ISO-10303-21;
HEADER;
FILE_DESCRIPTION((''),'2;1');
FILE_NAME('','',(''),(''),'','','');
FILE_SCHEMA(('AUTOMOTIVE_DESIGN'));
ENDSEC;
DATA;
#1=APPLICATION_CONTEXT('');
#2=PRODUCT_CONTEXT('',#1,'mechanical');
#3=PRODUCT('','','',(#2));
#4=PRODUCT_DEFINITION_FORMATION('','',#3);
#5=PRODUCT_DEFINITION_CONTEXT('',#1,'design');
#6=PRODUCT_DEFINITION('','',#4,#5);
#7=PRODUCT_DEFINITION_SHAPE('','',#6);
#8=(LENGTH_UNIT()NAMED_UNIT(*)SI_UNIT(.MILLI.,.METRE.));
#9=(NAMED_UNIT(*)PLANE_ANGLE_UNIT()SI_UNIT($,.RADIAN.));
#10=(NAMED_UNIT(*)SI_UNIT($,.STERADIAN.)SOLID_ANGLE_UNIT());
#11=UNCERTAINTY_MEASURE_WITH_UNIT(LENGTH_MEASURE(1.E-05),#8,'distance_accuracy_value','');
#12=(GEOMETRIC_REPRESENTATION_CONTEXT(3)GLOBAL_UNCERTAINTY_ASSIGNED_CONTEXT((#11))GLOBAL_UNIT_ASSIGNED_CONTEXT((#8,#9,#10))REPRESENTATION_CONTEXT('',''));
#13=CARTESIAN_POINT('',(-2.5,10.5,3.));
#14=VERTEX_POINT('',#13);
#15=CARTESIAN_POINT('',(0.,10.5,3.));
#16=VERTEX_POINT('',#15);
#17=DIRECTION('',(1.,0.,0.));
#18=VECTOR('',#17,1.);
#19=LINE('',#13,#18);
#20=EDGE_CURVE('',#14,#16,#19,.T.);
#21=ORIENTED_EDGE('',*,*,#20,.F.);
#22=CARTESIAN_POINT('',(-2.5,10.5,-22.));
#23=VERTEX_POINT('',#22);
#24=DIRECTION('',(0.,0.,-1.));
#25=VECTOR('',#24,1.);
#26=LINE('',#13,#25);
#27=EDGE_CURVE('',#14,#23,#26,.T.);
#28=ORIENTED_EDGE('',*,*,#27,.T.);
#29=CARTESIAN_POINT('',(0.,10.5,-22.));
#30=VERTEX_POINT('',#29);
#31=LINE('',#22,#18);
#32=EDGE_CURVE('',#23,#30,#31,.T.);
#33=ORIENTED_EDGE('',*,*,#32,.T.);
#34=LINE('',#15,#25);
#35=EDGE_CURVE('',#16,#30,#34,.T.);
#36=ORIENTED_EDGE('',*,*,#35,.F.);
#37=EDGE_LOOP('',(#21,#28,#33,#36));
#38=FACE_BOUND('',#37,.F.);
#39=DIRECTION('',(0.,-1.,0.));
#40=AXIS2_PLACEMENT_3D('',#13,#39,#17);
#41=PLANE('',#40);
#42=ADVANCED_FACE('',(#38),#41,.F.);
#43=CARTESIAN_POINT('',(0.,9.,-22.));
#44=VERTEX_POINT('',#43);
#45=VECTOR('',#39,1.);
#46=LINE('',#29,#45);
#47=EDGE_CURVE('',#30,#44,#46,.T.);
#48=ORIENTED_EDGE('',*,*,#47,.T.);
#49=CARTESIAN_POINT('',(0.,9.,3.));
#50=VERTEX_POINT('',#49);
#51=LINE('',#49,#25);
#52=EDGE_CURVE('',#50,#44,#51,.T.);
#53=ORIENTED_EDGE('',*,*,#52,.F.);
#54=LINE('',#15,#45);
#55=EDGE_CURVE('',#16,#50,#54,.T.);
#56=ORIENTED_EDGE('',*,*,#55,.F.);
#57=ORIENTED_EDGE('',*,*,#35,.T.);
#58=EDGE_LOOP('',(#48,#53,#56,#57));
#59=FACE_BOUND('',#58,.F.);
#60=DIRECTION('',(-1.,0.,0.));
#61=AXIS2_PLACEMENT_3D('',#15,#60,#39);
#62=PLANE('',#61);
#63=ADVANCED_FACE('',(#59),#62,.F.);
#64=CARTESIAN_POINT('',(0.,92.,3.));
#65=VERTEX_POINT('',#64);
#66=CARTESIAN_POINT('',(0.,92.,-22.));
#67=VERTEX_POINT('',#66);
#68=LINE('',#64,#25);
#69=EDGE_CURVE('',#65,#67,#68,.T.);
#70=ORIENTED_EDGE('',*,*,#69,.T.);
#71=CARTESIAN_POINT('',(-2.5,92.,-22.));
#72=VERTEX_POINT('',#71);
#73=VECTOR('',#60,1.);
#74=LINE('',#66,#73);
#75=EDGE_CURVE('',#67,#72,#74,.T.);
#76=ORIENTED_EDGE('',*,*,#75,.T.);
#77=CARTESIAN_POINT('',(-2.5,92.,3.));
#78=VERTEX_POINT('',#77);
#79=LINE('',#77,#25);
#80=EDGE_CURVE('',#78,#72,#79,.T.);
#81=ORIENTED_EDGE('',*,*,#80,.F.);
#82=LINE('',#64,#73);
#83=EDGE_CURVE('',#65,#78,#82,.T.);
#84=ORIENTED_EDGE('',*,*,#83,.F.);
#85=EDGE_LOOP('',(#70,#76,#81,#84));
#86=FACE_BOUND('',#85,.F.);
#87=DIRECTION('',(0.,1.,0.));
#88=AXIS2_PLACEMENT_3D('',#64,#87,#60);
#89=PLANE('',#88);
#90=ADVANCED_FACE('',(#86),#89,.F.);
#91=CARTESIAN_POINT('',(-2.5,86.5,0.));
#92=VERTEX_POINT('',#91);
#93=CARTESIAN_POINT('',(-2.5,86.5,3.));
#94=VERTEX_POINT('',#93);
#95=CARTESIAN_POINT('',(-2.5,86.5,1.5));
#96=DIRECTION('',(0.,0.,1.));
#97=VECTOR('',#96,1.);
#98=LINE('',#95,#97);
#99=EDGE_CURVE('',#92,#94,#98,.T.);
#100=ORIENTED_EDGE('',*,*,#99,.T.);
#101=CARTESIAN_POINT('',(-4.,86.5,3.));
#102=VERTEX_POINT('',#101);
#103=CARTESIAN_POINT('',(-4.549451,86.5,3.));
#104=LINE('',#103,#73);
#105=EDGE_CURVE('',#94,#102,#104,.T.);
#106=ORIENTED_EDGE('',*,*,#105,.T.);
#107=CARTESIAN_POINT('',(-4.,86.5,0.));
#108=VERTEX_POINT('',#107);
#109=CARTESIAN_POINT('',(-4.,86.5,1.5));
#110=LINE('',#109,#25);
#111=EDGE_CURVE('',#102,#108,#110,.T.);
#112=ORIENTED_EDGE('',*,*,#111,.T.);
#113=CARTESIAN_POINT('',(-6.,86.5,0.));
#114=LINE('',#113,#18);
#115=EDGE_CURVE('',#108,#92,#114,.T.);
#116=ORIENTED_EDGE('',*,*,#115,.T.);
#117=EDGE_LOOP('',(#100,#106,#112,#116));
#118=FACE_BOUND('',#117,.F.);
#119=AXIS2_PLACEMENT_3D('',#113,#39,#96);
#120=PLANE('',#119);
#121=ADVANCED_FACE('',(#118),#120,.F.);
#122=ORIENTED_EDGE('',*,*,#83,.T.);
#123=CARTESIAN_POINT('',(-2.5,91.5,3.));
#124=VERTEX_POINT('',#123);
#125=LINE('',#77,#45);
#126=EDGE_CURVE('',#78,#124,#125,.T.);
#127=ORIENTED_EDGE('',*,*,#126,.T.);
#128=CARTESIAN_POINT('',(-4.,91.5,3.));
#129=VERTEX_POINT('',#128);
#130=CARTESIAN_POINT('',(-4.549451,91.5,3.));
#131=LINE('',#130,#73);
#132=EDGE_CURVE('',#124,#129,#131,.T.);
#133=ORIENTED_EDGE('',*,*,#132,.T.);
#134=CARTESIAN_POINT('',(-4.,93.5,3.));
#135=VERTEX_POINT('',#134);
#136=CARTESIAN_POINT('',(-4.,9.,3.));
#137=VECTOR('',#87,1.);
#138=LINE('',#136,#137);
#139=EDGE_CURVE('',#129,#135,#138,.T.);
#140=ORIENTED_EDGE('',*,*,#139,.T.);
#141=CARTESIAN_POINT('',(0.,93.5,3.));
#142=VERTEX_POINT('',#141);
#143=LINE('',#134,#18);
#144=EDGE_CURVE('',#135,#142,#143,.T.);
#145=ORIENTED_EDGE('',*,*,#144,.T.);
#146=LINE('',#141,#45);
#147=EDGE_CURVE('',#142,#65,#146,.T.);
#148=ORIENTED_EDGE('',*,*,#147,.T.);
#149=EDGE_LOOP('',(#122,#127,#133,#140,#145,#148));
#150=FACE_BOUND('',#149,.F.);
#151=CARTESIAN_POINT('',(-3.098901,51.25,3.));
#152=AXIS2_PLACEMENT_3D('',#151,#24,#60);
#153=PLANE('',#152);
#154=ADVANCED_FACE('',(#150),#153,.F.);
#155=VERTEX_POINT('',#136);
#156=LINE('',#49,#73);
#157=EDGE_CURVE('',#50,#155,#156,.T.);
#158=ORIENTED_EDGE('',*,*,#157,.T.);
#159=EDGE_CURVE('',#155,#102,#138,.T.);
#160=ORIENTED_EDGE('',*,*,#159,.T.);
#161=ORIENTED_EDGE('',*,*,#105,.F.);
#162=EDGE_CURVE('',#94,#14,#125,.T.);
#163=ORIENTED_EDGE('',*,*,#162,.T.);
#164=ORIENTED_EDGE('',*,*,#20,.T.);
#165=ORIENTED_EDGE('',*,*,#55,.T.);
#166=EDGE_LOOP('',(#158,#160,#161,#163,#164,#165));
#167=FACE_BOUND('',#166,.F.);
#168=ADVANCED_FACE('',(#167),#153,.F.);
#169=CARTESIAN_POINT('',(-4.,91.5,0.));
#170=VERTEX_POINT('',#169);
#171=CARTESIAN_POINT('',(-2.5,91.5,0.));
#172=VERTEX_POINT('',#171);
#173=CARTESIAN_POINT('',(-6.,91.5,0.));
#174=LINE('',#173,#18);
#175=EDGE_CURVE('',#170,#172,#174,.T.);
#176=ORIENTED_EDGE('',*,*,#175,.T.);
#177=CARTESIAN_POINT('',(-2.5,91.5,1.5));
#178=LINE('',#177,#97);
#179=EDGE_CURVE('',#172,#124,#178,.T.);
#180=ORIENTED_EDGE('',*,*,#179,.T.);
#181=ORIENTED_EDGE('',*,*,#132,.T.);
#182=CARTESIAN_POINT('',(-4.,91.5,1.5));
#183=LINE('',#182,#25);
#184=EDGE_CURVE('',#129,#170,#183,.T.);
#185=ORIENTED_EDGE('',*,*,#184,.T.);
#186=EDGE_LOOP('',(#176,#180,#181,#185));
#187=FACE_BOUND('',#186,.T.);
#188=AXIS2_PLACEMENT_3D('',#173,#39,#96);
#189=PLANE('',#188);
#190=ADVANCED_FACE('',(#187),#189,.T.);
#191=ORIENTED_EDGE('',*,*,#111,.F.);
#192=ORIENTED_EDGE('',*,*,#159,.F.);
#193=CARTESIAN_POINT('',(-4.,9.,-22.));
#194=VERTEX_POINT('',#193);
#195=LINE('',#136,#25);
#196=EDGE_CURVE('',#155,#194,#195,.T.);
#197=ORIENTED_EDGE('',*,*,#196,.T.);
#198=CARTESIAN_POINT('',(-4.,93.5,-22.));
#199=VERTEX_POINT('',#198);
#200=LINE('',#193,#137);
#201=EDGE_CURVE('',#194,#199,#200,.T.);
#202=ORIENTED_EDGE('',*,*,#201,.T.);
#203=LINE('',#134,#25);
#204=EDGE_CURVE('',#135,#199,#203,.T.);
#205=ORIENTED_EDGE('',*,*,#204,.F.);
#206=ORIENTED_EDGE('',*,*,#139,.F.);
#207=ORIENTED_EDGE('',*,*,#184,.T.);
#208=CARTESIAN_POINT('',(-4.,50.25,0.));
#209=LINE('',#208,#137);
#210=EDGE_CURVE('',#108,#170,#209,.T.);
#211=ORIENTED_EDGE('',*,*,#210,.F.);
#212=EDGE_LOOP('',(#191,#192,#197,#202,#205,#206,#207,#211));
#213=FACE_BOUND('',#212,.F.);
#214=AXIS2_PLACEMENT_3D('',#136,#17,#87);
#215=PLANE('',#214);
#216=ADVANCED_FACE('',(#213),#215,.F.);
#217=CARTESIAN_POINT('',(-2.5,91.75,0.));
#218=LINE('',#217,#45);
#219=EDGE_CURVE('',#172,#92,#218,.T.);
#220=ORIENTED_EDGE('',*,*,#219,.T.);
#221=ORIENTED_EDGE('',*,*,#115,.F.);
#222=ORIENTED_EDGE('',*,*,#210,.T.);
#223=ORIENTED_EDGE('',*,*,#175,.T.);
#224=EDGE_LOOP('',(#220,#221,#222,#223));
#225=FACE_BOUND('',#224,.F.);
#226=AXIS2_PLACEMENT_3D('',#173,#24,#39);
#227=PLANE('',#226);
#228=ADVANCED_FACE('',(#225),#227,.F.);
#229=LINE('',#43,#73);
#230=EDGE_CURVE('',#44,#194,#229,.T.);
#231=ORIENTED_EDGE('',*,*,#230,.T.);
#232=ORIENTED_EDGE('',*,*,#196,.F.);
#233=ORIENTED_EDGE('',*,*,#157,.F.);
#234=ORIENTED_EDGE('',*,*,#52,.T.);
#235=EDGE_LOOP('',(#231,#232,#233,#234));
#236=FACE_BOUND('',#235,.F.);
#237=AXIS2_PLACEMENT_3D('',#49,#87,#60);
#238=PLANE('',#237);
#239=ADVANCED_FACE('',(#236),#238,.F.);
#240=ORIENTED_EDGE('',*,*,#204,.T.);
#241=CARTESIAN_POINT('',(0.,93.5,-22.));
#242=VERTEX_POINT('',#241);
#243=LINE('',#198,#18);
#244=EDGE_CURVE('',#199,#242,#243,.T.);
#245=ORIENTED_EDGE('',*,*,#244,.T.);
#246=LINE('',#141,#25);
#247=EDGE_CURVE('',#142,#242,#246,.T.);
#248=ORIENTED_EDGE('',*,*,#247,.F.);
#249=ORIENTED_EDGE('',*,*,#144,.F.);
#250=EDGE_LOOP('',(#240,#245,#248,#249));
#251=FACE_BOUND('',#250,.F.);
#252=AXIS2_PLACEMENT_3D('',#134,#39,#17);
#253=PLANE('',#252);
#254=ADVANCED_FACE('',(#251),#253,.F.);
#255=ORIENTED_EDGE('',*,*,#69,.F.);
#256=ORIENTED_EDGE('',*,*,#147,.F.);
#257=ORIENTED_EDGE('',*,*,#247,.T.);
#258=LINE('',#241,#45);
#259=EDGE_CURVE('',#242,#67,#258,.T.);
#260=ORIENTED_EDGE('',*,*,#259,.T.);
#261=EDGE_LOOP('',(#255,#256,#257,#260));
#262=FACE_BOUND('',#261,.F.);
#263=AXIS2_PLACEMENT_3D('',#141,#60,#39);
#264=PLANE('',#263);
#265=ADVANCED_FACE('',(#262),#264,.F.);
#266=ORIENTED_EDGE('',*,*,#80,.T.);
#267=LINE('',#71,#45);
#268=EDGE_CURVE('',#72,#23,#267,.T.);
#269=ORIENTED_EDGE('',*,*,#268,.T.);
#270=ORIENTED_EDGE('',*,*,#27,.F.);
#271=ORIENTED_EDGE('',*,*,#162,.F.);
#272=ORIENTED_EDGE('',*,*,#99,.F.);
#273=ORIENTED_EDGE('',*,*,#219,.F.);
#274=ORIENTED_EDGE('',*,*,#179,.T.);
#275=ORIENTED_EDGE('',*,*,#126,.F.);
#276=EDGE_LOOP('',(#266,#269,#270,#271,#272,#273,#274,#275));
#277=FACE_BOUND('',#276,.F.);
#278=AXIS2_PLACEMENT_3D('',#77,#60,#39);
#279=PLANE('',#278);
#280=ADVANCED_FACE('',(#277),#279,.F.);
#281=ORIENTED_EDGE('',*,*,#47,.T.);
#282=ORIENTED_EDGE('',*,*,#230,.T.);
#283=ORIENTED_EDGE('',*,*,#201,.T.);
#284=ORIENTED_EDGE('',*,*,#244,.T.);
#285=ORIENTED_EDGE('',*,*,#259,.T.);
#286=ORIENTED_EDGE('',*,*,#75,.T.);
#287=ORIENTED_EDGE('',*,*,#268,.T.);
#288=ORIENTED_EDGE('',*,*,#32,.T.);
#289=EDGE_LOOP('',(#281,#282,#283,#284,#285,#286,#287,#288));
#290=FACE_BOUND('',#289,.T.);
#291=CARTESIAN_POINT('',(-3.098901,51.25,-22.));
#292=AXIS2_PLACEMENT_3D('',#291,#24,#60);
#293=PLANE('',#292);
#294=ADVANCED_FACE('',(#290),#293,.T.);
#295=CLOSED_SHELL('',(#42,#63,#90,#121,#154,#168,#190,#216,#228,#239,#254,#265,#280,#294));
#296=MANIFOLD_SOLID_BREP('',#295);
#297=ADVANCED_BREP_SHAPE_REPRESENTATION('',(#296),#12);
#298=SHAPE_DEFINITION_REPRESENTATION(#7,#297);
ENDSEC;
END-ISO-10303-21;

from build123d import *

# Parameters (mm, degrees)
SKETCH102_W      = 5
SKETCH102_H      = 4
EXTRUDE093_DEPTH = 5
EXTRUDE064_DEPTH = 25


with BuildPart() as extrude093:
    # Sketch102 → Extrude093 (new body)
    with BuildSketch(Plane(origin=(-6, 0, 0), x_dir=(0, -1, 0), z_dir=(-1, 0, 0))):
        with Locations((-89, 2)):
            Rectangle(SKETCH102_W, SKETCH102_H)
    extrude(amount=-EXTRUDE093_DEPTH)


with BuildPart() as cut015:
    # Sketch074 → Extrude064 (new body)
    with BuildSketch(Plane.XY.offset(3)):
        Polygon((-4, 93.5), (0, 93.5), (0, 92), (-2.5, 92), (-2.5, 10.5), (0, 10.5), (0, 9), (-4, 9), align=None)
    extrude(amount=-EXTRUDE064_DEPTH)

    # Cut015: cut Extrude093
    add(extrude093.part, mode=Mode.SUBTRACT)


solid = cut015.part
